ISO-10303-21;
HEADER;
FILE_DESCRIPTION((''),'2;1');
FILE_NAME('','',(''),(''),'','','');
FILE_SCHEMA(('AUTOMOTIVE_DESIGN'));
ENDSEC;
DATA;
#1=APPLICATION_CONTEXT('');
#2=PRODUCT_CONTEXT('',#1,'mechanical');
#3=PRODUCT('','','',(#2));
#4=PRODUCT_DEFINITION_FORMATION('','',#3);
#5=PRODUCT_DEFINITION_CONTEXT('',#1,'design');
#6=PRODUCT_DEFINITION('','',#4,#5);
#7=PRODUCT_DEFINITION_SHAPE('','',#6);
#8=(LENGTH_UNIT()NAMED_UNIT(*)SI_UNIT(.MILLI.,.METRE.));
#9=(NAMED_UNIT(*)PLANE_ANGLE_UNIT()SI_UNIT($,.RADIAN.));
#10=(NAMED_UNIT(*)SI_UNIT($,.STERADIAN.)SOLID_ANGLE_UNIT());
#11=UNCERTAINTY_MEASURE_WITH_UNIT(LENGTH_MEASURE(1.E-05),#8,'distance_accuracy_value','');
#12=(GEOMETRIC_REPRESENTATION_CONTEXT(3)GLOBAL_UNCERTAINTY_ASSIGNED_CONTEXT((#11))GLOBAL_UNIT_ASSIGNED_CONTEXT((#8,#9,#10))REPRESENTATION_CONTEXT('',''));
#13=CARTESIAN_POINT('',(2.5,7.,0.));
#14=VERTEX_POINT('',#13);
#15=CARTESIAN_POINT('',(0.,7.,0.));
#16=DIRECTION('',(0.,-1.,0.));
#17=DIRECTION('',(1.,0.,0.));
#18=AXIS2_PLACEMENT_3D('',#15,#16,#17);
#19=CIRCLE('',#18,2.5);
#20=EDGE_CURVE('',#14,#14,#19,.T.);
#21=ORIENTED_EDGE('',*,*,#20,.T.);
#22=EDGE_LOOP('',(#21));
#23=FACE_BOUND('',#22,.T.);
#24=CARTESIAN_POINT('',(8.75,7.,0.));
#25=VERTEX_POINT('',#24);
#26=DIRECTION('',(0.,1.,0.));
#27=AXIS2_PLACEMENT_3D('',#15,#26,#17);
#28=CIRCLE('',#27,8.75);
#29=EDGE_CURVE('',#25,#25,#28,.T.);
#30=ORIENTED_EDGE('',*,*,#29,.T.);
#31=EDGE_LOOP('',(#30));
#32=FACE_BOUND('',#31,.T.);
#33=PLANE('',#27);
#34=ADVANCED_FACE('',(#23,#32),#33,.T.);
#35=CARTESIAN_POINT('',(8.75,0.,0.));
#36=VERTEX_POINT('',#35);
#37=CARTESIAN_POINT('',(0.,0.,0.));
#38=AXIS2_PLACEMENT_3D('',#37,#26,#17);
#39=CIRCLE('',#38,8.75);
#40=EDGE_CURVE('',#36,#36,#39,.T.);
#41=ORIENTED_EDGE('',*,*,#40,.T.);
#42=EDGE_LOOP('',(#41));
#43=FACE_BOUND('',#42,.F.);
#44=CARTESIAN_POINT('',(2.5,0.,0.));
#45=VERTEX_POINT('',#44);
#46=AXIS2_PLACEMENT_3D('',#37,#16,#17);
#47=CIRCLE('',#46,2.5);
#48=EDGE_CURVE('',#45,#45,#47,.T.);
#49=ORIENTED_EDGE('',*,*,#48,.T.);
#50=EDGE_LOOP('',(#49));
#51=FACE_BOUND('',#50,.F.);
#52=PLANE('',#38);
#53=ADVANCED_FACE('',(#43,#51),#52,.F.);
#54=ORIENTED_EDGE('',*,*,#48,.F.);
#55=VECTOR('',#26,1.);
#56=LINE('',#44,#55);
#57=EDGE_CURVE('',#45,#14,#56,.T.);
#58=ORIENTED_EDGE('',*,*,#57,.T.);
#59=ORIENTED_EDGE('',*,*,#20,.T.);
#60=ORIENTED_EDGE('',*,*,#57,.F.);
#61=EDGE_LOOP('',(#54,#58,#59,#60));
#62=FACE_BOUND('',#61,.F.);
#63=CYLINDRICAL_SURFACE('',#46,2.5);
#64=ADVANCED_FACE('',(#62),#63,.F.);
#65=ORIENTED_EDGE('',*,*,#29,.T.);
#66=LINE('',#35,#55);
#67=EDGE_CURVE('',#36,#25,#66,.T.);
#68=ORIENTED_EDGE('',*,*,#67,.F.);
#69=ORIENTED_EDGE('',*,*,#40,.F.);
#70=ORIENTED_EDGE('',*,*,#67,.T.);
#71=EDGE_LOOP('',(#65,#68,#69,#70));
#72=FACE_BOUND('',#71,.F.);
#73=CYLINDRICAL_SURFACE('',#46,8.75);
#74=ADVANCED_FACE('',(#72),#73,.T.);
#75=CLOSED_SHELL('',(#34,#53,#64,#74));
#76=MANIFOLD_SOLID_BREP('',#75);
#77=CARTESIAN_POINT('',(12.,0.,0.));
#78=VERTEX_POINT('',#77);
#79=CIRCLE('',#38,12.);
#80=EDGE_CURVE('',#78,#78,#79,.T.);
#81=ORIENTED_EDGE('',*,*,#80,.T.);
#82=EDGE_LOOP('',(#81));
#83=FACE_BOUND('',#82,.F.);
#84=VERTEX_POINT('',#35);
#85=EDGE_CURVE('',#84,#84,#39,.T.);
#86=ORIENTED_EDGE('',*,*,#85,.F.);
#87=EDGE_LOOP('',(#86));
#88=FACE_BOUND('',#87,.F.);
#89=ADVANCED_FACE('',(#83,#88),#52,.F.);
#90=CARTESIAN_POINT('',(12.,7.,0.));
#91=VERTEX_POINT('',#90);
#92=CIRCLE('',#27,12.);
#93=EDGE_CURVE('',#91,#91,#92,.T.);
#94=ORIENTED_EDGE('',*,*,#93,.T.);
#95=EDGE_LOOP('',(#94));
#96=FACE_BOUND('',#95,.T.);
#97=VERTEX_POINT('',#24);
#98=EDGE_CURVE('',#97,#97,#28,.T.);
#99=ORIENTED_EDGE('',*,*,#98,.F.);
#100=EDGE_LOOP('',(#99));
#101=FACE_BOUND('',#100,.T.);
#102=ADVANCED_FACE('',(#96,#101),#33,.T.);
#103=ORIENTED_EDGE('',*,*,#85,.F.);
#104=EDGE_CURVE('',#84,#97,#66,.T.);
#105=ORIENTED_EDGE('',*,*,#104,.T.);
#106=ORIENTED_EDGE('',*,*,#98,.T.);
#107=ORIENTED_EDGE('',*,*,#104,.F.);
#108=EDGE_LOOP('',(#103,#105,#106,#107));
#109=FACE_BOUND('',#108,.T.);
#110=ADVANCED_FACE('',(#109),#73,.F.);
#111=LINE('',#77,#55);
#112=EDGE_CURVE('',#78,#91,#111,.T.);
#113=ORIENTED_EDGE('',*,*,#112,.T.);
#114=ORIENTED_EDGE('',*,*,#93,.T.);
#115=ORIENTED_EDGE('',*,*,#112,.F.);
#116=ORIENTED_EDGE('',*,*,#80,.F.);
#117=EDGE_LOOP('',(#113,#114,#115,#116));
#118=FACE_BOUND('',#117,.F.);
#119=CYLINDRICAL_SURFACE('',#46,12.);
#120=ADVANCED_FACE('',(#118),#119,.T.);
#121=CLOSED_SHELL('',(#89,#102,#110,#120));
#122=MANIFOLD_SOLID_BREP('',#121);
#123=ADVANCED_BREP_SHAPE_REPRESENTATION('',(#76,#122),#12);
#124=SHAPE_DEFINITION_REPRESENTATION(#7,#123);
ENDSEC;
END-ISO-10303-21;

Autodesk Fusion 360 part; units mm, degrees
sketch "Sketch1" plane through (0, 0, 0) normal (0, 1, 0) x (1, 0, 0)
  circle A0 centre (0, 0) radius 8.75
  dimension "d1" = 17.5
extrude "Extrude1" add sketch "Sketch1" along normal blind 7 makes body 1
sketch "Sketch2" plane through (0, 0, 0) normal (0, 1, 0) x (1, 0, 0)
  circle A0 centre (0, 0) radius 12
  circle A1 centre (0, 0) radius 8.75
  dimension "d4" = 24
  dimension "d5" = 17.5
extrude "Extrude2" add sketch "Sketch2" along normal blind 7 separate body makes body 2
sketch "Sketch3" plane through (0, 0, 0) normal (0, -1, 0) x (1, 0, 0)
  circle A0 centre (0, 0) radius 8.75
  circle A1 centre (0, 0) radius 2.5
  dimension "d8" = 5
extrude "Extrude3" cut sketch "Sketch3" against normal blind 39 contours A1 bodies 1
